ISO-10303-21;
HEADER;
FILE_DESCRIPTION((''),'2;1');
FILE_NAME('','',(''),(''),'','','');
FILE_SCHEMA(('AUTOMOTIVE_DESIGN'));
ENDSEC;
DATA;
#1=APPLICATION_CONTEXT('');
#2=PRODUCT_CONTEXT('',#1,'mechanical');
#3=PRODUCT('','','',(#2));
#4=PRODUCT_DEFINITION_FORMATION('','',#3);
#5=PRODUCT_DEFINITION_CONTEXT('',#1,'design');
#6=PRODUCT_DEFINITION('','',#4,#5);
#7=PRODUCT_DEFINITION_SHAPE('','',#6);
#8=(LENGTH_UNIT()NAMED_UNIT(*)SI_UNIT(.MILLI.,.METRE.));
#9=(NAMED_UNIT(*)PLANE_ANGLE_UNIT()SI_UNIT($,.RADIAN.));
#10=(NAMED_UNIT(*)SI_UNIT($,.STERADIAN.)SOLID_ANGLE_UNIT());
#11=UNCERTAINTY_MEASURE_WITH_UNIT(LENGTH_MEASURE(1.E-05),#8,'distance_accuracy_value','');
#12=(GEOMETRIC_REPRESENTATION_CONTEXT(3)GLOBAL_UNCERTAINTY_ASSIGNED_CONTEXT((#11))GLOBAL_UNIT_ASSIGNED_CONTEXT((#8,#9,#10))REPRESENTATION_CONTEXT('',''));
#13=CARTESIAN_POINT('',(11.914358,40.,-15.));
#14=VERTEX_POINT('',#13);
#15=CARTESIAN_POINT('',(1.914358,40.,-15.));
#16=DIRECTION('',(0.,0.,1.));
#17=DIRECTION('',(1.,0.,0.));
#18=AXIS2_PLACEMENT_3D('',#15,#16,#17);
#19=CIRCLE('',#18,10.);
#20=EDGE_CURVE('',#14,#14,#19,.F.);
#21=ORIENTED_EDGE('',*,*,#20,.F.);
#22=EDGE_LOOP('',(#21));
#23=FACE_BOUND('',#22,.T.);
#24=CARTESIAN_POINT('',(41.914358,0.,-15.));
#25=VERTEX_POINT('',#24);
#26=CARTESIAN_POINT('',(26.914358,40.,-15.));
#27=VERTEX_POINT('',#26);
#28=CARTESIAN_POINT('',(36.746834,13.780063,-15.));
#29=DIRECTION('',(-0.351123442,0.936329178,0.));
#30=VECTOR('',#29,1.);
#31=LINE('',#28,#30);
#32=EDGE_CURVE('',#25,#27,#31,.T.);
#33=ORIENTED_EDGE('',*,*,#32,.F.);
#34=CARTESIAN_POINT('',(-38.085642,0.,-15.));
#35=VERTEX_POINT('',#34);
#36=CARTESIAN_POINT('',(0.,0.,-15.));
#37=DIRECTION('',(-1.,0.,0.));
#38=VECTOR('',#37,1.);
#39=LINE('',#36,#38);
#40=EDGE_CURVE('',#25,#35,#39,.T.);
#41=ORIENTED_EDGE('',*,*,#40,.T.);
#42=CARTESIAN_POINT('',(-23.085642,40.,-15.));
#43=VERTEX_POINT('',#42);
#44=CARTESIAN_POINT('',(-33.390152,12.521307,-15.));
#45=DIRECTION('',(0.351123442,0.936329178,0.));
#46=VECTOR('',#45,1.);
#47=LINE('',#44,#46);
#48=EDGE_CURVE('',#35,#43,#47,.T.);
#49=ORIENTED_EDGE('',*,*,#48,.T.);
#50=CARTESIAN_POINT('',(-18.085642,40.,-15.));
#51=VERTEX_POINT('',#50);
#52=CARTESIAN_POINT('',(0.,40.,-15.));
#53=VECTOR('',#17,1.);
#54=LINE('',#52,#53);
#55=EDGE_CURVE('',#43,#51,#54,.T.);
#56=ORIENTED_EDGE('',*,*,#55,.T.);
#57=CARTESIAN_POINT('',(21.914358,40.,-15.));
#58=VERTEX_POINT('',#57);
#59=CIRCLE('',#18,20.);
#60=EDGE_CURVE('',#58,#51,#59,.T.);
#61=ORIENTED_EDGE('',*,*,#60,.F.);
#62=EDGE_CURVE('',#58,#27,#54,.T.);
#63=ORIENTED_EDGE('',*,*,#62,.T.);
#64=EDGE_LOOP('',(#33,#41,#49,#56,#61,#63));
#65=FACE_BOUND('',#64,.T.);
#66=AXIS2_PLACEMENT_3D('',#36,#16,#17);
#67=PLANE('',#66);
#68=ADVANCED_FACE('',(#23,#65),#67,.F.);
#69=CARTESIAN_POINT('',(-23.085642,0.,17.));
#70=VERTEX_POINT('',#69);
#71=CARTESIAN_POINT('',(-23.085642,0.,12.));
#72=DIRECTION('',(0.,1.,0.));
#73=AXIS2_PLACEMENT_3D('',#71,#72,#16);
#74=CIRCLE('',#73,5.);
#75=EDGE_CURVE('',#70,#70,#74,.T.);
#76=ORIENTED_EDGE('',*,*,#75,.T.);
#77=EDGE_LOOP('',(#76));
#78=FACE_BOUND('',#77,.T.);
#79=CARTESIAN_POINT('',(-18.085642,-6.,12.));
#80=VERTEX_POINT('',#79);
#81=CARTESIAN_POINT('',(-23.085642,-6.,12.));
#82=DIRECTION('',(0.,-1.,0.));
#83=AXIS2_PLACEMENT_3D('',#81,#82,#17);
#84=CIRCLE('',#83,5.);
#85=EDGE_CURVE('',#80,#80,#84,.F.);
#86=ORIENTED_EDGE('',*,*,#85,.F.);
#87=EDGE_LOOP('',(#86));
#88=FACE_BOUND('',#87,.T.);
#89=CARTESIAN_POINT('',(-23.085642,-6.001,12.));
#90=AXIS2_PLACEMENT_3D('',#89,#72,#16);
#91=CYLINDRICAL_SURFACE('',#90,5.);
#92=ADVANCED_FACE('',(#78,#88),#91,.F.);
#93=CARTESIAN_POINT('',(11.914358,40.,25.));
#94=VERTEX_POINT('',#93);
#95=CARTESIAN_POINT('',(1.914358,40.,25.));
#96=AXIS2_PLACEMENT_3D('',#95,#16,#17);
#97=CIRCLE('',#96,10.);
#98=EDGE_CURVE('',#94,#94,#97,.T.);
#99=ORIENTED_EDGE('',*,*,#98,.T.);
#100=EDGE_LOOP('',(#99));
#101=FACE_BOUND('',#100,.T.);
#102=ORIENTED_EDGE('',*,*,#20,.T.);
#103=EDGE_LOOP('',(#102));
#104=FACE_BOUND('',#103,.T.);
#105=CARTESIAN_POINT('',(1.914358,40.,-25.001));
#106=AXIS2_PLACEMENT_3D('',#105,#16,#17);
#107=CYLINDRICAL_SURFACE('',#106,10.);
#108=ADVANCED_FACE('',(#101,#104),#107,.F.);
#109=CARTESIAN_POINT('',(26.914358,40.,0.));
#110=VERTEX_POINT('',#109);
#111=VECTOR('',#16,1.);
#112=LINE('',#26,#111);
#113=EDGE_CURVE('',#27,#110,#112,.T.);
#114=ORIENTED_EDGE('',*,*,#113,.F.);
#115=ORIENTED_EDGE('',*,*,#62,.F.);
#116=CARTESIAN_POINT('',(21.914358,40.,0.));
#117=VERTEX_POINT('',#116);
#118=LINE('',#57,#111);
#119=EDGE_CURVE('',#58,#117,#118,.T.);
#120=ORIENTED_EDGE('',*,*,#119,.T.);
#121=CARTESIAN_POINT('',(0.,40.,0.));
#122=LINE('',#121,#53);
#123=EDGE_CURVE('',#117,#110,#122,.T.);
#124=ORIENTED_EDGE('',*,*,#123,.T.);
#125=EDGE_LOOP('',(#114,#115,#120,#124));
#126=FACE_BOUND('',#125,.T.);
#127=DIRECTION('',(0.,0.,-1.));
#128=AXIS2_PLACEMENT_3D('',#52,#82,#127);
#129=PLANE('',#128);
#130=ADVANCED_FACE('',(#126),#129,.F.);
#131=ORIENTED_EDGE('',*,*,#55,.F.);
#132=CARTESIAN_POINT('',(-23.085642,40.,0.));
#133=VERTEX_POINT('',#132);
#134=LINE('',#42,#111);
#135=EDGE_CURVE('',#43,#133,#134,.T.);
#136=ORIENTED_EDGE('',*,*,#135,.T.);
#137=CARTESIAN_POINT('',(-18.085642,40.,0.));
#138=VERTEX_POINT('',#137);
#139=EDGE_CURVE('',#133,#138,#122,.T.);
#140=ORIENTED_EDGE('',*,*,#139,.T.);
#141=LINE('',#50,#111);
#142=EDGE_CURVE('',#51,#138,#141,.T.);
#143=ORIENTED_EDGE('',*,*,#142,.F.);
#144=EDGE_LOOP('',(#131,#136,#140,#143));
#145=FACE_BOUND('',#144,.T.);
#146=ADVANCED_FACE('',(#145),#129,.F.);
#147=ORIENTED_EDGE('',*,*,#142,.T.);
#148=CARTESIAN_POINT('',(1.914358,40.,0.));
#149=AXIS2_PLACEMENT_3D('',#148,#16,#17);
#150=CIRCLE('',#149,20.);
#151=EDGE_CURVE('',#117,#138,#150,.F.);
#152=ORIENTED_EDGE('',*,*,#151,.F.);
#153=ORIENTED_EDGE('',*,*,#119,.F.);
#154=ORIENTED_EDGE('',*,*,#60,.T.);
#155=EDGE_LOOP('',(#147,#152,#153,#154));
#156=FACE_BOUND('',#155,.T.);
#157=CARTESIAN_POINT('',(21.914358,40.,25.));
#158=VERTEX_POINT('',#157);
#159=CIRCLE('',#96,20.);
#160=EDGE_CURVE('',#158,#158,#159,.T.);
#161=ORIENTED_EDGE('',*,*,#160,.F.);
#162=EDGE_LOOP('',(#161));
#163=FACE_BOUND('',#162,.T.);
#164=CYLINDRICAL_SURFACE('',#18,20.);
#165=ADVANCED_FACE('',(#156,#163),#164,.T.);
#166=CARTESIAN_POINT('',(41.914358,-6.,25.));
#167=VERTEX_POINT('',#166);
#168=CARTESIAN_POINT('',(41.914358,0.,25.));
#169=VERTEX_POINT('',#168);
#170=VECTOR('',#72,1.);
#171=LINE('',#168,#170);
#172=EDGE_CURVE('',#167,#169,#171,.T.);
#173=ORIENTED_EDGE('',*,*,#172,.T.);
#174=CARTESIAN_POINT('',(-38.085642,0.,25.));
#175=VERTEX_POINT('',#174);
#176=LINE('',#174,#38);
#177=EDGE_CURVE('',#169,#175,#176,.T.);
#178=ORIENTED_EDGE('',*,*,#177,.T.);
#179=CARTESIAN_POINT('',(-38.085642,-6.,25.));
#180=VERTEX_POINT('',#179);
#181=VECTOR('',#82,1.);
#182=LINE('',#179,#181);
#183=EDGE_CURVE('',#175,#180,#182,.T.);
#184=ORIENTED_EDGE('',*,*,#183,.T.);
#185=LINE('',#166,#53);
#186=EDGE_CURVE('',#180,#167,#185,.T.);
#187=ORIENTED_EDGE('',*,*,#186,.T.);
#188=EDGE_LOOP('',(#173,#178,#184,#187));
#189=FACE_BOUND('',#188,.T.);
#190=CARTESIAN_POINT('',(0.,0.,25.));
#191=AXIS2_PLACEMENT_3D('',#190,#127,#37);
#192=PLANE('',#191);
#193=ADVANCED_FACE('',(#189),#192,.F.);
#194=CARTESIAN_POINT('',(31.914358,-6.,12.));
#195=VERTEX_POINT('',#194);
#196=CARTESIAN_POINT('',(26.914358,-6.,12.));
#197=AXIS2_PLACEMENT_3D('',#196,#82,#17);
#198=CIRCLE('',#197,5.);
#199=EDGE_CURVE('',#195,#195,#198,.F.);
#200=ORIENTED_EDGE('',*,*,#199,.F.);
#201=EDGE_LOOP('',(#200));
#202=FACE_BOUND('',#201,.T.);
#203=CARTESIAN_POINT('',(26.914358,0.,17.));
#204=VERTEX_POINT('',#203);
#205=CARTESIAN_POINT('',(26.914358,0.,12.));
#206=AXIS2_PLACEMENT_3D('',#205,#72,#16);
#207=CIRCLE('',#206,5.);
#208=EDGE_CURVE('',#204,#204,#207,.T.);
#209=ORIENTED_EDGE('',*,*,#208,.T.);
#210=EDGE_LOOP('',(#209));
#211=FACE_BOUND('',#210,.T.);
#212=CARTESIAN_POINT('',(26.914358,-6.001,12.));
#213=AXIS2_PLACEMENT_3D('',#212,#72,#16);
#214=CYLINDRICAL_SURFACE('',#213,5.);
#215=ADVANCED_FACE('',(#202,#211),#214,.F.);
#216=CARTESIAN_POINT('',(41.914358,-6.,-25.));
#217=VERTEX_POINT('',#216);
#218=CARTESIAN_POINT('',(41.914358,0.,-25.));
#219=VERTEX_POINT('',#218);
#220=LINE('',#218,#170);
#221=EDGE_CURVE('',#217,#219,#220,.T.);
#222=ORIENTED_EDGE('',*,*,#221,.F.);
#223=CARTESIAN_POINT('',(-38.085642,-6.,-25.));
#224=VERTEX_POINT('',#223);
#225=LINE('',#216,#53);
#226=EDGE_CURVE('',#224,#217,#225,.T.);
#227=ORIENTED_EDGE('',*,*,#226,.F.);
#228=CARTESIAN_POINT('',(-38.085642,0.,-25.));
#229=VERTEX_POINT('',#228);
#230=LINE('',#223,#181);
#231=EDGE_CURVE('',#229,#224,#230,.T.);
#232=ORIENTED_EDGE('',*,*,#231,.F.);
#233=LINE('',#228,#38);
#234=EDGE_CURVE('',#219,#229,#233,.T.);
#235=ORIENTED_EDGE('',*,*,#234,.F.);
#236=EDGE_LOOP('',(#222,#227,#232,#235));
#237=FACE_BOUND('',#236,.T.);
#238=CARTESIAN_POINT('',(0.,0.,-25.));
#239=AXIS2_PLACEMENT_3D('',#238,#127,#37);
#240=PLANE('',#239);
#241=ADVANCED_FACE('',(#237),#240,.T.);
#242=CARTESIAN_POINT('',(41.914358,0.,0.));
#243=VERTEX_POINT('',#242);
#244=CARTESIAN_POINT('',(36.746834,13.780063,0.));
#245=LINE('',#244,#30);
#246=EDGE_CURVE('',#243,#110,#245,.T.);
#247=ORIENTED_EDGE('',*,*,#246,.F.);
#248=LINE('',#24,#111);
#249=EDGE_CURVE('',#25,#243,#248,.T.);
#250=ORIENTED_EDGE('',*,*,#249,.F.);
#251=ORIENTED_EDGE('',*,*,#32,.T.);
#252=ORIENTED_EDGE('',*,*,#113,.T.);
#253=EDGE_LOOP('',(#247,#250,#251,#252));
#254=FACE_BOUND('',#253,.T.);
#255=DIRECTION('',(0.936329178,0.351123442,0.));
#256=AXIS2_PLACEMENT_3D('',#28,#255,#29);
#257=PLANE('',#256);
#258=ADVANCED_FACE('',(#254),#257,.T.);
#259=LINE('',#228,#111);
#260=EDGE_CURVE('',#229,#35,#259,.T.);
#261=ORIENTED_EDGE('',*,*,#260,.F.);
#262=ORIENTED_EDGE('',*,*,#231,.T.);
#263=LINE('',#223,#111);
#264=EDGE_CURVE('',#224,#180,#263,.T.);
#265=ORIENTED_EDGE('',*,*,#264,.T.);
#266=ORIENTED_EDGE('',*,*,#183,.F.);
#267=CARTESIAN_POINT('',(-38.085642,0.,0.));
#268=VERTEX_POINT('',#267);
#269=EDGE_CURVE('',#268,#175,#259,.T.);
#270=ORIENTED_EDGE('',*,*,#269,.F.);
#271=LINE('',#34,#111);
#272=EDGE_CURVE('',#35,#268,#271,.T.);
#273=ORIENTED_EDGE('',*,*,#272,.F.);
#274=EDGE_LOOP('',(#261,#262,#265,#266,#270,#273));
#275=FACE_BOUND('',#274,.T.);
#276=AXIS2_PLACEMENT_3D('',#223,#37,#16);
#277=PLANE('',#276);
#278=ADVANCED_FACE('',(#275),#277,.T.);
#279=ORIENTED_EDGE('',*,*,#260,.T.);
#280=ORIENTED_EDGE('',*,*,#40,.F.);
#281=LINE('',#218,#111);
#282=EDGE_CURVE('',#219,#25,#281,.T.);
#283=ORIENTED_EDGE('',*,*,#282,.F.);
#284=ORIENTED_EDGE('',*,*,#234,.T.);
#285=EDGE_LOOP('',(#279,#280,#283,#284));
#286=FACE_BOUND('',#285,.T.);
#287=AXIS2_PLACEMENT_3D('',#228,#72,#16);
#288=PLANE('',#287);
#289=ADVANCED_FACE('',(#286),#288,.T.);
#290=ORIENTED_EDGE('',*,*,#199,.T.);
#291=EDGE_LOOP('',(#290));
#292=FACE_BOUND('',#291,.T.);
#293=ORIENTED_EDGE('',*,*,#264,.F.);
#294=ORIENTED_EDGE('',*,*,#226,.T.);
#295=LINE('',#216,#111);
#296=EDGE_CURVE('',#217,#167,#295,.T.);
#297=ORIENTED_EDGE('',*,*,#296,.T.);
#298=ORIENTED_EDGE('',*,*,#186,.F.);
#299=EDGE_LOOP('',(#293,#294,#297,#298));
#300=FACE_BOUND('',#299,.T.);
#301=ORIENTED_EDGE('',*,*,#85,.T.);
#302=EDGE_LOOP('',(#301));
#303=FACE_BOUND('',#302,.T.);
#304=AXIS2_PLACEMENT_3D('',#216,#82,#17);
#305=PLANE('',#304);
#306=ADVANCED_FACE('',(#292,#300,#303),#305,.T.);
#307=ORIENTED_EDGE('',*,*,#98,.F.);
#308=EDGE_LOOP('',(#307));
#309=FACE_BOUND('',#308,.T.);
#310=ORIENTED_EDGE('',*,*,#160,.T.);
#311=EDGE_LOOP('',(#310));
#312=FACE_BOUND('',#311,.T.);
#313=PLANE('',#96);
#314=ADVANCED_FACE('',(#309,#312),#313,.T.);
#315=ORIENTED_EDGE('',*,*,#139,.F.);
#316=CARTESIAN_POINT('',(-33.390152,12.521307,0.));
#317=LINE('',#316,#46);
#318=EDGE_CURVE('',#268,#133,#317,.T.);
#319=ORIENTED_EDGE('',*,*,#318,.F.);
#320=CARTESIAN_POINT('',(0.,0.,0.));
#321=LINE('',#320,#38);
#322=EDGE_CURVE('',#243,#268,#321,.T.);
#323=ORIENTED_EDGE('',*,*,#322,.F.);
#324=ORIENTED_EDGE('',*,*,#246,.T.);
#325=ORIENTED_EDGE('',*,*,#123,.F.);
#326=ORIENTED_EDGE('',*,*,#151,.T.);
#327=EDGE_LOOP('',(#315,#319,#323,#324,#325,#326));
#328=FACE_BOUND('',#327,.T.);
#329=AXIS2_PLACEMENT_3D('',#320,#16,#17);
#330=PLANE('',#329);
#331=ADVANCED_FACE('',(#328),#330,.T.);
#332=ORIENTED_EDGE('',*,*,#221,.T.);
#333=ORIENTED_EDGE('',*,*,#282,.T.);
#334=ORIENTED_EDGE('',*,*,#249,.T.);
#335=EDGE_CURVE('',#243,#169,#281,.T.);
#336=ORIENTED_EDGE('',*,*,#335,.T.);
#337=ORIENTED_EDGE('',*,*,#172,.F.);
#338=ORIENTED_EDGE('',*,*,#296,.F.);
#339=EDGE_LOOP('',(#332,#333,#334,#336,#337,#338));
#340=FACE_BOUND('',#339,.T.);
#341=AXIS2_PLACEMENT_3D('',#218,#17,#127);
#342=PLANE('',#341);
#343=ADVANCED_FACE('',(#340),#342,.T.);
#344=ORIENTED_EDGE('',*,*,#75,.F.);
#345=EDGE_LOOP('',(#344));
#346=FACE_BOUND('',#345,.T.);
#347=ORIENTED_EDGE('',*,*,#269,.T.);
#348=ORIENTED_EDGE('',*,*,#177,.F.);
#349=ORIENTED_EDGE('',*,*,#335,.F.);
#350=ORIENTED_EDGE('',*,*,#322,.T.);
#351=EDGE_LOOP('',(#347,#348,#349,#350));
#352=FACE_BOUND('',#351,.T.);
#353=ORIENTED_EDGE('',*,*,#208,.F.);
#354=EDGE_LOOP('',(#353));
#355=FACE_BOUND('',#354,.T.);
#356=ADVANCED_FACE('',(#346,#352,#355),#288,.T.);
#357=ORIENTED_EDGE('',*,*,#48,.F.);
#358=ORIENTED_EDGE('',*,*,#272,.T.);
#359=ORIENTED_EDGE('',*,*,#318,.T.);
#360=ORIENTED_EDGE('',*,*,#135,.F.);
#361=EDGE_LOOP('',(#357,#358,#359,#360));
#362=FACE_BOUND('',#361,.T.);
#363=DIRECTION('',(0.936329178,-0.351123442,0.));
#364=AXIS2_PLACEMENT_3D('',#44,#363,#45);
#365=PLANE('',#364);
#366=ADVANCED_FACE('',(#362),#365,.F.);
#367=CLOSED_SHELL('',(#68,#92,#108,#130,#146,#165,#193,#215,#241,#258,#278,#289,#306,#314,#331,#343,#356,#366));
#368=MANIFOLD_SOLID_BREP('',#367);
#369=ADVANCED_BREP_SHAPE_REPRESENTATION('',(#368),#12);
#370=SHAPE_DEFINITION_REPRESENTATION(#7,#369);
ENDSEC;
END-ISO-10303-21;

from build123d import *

# Parameters (mm, degrees)
SKETCH1_W           = 80
SKETCH1_H           = 6
BOSS_EXTRUDE1_DEPTH = 50
SKETCH6_R           = 20
BOSS_EXTRUDE2_DEPTH = 15
BOSS_EXTRUDE3_START = 25
SKETCH7_R           = 20
BOSS_EXTRUDE3_DEPTH = 25
CUT_EXTRUDE1_REACH  = 90.639
SKETCH8_R           = 10
CUT_EXTRUDE2_REACH  = 79.342
SKETCH9_R           = 5


with BuildPart() as part:
    # Sketch1 → Boss-Extrude1 (new body)
    with BuildSketch(Plane.XY):
        with Locations((1.914357683, -3)):
            Rectangle(SKETCH1_W, SKETCH1_H)
    extrude(amount=-BOSS_EXTRUDE1_DEPTH)


with BuildPart() as part_1:
    # Body-Move/Copy2: moved
    add(part.part.moved(Location((0, 0, 25))))

    # Sketch6 → Boss-Extrude2 (add)
    with BuildSketch(Plane.XY):
        with BuildLine():
            Line((-38.085642317, 0), (41.914357683, 0))
            Line((41.914357683, 0), (26.914357683, 40))
            Line((26.914357683, 40), (21.914357683, 40))
            ThreePointArc((21.914357683, 40), (1.914357683, 20), (-18.085642317, 40))
            Line((-18.085642317, 40), (-23.085642317, 40))
            Line((-23.085642317, 40), (-38.085642317, 0))
        make_face()
        with Locations((1.914357683, 40)):
            Circle(SKETCH6_R)
    extrude(amount=-BOSS_EXTRUDE2_DEPTH)

    # Sketch7 → Boss-Extrude3 (add)
    with BuildSketch(Plane.XY.offset(BOSS_EXTRUDE3_START)):
        with Locations((1.914357683, 40)):
            Circle(SKETCH7_R)
    extrude(amount=-BOSS_EXTRUDE3_DEPTH)

    # Sketch8 → Cut-Extrude1 (cut, up to next)
    with BuildSketch(Plane.XY.offset(25), mode=Mode.PRIVATE) as cut_extrude1_sk1:
        with Locations((1.914357683, 40)):
            Circle(SKETCH8_R)
    cut_extrude1_tool1 = extrude(cut_extrude1_sk1.sketch, amount=-CUT_EXTRUDE1_REACH, mode=Mode.PRIVATE) & part_1.part
    add(cut_extrude1_tool1.solids().sort_by_distance((1.914358, 40, 25))[0], mode=Mode.SUBTRACT)

    # Sketch9 → Cut-Extrude2 (cut, up to next)
    with BuildSketch(Plane(origin=(0, 0, 0), x_dir=(1, 0, 0), z_dir=(0, 1, 0)), mode=Mode.PRIVATE) as cut_extrude2_sk1:
        with Locations(Location((26.914357683, -12, 0), (0, 0, 270))):
            Circle(SKETCH9_R)
    cut_extrude2_tool1 = extrude(cut_extrude2_sk1.sketch, amount=-CUT_EXTRUDE2_REACH, mode=Mode.PRIVATE) & part_1.part
    # Sketch9 → Cut-Extrude2 (cut, up to next)
    with BuildSketch(Plane(origin=(0, 0, 0), x_dir=(1, 0, 0), z_dir=(0, 1, 0)), mode=Mode.PRIVATE) as cut_extrude2_sk2:
        with Locations(Location((-23.085642317, -12, 0), (0, 0, 270))):
            Circle(SKETCH9_R)
    cut_extrude2_tool2 = extrude(cut_extrude2_sk2.sketch, amount=-CUT_EXTRUDE2_REACH, mode=Mode.PRIVATE) & part_1.part
    add(cut_extrude2_tool1.solids().sort_by_distance((26.914358, 0, 12))[0], mode=Mode.SUBTRACT)
    add(cut_extrude2_tool2.solids().sort_by_distance((-23.085642, 0, 12))[0], mode=Mode.SUBTRACT)


solid = part_1.part
